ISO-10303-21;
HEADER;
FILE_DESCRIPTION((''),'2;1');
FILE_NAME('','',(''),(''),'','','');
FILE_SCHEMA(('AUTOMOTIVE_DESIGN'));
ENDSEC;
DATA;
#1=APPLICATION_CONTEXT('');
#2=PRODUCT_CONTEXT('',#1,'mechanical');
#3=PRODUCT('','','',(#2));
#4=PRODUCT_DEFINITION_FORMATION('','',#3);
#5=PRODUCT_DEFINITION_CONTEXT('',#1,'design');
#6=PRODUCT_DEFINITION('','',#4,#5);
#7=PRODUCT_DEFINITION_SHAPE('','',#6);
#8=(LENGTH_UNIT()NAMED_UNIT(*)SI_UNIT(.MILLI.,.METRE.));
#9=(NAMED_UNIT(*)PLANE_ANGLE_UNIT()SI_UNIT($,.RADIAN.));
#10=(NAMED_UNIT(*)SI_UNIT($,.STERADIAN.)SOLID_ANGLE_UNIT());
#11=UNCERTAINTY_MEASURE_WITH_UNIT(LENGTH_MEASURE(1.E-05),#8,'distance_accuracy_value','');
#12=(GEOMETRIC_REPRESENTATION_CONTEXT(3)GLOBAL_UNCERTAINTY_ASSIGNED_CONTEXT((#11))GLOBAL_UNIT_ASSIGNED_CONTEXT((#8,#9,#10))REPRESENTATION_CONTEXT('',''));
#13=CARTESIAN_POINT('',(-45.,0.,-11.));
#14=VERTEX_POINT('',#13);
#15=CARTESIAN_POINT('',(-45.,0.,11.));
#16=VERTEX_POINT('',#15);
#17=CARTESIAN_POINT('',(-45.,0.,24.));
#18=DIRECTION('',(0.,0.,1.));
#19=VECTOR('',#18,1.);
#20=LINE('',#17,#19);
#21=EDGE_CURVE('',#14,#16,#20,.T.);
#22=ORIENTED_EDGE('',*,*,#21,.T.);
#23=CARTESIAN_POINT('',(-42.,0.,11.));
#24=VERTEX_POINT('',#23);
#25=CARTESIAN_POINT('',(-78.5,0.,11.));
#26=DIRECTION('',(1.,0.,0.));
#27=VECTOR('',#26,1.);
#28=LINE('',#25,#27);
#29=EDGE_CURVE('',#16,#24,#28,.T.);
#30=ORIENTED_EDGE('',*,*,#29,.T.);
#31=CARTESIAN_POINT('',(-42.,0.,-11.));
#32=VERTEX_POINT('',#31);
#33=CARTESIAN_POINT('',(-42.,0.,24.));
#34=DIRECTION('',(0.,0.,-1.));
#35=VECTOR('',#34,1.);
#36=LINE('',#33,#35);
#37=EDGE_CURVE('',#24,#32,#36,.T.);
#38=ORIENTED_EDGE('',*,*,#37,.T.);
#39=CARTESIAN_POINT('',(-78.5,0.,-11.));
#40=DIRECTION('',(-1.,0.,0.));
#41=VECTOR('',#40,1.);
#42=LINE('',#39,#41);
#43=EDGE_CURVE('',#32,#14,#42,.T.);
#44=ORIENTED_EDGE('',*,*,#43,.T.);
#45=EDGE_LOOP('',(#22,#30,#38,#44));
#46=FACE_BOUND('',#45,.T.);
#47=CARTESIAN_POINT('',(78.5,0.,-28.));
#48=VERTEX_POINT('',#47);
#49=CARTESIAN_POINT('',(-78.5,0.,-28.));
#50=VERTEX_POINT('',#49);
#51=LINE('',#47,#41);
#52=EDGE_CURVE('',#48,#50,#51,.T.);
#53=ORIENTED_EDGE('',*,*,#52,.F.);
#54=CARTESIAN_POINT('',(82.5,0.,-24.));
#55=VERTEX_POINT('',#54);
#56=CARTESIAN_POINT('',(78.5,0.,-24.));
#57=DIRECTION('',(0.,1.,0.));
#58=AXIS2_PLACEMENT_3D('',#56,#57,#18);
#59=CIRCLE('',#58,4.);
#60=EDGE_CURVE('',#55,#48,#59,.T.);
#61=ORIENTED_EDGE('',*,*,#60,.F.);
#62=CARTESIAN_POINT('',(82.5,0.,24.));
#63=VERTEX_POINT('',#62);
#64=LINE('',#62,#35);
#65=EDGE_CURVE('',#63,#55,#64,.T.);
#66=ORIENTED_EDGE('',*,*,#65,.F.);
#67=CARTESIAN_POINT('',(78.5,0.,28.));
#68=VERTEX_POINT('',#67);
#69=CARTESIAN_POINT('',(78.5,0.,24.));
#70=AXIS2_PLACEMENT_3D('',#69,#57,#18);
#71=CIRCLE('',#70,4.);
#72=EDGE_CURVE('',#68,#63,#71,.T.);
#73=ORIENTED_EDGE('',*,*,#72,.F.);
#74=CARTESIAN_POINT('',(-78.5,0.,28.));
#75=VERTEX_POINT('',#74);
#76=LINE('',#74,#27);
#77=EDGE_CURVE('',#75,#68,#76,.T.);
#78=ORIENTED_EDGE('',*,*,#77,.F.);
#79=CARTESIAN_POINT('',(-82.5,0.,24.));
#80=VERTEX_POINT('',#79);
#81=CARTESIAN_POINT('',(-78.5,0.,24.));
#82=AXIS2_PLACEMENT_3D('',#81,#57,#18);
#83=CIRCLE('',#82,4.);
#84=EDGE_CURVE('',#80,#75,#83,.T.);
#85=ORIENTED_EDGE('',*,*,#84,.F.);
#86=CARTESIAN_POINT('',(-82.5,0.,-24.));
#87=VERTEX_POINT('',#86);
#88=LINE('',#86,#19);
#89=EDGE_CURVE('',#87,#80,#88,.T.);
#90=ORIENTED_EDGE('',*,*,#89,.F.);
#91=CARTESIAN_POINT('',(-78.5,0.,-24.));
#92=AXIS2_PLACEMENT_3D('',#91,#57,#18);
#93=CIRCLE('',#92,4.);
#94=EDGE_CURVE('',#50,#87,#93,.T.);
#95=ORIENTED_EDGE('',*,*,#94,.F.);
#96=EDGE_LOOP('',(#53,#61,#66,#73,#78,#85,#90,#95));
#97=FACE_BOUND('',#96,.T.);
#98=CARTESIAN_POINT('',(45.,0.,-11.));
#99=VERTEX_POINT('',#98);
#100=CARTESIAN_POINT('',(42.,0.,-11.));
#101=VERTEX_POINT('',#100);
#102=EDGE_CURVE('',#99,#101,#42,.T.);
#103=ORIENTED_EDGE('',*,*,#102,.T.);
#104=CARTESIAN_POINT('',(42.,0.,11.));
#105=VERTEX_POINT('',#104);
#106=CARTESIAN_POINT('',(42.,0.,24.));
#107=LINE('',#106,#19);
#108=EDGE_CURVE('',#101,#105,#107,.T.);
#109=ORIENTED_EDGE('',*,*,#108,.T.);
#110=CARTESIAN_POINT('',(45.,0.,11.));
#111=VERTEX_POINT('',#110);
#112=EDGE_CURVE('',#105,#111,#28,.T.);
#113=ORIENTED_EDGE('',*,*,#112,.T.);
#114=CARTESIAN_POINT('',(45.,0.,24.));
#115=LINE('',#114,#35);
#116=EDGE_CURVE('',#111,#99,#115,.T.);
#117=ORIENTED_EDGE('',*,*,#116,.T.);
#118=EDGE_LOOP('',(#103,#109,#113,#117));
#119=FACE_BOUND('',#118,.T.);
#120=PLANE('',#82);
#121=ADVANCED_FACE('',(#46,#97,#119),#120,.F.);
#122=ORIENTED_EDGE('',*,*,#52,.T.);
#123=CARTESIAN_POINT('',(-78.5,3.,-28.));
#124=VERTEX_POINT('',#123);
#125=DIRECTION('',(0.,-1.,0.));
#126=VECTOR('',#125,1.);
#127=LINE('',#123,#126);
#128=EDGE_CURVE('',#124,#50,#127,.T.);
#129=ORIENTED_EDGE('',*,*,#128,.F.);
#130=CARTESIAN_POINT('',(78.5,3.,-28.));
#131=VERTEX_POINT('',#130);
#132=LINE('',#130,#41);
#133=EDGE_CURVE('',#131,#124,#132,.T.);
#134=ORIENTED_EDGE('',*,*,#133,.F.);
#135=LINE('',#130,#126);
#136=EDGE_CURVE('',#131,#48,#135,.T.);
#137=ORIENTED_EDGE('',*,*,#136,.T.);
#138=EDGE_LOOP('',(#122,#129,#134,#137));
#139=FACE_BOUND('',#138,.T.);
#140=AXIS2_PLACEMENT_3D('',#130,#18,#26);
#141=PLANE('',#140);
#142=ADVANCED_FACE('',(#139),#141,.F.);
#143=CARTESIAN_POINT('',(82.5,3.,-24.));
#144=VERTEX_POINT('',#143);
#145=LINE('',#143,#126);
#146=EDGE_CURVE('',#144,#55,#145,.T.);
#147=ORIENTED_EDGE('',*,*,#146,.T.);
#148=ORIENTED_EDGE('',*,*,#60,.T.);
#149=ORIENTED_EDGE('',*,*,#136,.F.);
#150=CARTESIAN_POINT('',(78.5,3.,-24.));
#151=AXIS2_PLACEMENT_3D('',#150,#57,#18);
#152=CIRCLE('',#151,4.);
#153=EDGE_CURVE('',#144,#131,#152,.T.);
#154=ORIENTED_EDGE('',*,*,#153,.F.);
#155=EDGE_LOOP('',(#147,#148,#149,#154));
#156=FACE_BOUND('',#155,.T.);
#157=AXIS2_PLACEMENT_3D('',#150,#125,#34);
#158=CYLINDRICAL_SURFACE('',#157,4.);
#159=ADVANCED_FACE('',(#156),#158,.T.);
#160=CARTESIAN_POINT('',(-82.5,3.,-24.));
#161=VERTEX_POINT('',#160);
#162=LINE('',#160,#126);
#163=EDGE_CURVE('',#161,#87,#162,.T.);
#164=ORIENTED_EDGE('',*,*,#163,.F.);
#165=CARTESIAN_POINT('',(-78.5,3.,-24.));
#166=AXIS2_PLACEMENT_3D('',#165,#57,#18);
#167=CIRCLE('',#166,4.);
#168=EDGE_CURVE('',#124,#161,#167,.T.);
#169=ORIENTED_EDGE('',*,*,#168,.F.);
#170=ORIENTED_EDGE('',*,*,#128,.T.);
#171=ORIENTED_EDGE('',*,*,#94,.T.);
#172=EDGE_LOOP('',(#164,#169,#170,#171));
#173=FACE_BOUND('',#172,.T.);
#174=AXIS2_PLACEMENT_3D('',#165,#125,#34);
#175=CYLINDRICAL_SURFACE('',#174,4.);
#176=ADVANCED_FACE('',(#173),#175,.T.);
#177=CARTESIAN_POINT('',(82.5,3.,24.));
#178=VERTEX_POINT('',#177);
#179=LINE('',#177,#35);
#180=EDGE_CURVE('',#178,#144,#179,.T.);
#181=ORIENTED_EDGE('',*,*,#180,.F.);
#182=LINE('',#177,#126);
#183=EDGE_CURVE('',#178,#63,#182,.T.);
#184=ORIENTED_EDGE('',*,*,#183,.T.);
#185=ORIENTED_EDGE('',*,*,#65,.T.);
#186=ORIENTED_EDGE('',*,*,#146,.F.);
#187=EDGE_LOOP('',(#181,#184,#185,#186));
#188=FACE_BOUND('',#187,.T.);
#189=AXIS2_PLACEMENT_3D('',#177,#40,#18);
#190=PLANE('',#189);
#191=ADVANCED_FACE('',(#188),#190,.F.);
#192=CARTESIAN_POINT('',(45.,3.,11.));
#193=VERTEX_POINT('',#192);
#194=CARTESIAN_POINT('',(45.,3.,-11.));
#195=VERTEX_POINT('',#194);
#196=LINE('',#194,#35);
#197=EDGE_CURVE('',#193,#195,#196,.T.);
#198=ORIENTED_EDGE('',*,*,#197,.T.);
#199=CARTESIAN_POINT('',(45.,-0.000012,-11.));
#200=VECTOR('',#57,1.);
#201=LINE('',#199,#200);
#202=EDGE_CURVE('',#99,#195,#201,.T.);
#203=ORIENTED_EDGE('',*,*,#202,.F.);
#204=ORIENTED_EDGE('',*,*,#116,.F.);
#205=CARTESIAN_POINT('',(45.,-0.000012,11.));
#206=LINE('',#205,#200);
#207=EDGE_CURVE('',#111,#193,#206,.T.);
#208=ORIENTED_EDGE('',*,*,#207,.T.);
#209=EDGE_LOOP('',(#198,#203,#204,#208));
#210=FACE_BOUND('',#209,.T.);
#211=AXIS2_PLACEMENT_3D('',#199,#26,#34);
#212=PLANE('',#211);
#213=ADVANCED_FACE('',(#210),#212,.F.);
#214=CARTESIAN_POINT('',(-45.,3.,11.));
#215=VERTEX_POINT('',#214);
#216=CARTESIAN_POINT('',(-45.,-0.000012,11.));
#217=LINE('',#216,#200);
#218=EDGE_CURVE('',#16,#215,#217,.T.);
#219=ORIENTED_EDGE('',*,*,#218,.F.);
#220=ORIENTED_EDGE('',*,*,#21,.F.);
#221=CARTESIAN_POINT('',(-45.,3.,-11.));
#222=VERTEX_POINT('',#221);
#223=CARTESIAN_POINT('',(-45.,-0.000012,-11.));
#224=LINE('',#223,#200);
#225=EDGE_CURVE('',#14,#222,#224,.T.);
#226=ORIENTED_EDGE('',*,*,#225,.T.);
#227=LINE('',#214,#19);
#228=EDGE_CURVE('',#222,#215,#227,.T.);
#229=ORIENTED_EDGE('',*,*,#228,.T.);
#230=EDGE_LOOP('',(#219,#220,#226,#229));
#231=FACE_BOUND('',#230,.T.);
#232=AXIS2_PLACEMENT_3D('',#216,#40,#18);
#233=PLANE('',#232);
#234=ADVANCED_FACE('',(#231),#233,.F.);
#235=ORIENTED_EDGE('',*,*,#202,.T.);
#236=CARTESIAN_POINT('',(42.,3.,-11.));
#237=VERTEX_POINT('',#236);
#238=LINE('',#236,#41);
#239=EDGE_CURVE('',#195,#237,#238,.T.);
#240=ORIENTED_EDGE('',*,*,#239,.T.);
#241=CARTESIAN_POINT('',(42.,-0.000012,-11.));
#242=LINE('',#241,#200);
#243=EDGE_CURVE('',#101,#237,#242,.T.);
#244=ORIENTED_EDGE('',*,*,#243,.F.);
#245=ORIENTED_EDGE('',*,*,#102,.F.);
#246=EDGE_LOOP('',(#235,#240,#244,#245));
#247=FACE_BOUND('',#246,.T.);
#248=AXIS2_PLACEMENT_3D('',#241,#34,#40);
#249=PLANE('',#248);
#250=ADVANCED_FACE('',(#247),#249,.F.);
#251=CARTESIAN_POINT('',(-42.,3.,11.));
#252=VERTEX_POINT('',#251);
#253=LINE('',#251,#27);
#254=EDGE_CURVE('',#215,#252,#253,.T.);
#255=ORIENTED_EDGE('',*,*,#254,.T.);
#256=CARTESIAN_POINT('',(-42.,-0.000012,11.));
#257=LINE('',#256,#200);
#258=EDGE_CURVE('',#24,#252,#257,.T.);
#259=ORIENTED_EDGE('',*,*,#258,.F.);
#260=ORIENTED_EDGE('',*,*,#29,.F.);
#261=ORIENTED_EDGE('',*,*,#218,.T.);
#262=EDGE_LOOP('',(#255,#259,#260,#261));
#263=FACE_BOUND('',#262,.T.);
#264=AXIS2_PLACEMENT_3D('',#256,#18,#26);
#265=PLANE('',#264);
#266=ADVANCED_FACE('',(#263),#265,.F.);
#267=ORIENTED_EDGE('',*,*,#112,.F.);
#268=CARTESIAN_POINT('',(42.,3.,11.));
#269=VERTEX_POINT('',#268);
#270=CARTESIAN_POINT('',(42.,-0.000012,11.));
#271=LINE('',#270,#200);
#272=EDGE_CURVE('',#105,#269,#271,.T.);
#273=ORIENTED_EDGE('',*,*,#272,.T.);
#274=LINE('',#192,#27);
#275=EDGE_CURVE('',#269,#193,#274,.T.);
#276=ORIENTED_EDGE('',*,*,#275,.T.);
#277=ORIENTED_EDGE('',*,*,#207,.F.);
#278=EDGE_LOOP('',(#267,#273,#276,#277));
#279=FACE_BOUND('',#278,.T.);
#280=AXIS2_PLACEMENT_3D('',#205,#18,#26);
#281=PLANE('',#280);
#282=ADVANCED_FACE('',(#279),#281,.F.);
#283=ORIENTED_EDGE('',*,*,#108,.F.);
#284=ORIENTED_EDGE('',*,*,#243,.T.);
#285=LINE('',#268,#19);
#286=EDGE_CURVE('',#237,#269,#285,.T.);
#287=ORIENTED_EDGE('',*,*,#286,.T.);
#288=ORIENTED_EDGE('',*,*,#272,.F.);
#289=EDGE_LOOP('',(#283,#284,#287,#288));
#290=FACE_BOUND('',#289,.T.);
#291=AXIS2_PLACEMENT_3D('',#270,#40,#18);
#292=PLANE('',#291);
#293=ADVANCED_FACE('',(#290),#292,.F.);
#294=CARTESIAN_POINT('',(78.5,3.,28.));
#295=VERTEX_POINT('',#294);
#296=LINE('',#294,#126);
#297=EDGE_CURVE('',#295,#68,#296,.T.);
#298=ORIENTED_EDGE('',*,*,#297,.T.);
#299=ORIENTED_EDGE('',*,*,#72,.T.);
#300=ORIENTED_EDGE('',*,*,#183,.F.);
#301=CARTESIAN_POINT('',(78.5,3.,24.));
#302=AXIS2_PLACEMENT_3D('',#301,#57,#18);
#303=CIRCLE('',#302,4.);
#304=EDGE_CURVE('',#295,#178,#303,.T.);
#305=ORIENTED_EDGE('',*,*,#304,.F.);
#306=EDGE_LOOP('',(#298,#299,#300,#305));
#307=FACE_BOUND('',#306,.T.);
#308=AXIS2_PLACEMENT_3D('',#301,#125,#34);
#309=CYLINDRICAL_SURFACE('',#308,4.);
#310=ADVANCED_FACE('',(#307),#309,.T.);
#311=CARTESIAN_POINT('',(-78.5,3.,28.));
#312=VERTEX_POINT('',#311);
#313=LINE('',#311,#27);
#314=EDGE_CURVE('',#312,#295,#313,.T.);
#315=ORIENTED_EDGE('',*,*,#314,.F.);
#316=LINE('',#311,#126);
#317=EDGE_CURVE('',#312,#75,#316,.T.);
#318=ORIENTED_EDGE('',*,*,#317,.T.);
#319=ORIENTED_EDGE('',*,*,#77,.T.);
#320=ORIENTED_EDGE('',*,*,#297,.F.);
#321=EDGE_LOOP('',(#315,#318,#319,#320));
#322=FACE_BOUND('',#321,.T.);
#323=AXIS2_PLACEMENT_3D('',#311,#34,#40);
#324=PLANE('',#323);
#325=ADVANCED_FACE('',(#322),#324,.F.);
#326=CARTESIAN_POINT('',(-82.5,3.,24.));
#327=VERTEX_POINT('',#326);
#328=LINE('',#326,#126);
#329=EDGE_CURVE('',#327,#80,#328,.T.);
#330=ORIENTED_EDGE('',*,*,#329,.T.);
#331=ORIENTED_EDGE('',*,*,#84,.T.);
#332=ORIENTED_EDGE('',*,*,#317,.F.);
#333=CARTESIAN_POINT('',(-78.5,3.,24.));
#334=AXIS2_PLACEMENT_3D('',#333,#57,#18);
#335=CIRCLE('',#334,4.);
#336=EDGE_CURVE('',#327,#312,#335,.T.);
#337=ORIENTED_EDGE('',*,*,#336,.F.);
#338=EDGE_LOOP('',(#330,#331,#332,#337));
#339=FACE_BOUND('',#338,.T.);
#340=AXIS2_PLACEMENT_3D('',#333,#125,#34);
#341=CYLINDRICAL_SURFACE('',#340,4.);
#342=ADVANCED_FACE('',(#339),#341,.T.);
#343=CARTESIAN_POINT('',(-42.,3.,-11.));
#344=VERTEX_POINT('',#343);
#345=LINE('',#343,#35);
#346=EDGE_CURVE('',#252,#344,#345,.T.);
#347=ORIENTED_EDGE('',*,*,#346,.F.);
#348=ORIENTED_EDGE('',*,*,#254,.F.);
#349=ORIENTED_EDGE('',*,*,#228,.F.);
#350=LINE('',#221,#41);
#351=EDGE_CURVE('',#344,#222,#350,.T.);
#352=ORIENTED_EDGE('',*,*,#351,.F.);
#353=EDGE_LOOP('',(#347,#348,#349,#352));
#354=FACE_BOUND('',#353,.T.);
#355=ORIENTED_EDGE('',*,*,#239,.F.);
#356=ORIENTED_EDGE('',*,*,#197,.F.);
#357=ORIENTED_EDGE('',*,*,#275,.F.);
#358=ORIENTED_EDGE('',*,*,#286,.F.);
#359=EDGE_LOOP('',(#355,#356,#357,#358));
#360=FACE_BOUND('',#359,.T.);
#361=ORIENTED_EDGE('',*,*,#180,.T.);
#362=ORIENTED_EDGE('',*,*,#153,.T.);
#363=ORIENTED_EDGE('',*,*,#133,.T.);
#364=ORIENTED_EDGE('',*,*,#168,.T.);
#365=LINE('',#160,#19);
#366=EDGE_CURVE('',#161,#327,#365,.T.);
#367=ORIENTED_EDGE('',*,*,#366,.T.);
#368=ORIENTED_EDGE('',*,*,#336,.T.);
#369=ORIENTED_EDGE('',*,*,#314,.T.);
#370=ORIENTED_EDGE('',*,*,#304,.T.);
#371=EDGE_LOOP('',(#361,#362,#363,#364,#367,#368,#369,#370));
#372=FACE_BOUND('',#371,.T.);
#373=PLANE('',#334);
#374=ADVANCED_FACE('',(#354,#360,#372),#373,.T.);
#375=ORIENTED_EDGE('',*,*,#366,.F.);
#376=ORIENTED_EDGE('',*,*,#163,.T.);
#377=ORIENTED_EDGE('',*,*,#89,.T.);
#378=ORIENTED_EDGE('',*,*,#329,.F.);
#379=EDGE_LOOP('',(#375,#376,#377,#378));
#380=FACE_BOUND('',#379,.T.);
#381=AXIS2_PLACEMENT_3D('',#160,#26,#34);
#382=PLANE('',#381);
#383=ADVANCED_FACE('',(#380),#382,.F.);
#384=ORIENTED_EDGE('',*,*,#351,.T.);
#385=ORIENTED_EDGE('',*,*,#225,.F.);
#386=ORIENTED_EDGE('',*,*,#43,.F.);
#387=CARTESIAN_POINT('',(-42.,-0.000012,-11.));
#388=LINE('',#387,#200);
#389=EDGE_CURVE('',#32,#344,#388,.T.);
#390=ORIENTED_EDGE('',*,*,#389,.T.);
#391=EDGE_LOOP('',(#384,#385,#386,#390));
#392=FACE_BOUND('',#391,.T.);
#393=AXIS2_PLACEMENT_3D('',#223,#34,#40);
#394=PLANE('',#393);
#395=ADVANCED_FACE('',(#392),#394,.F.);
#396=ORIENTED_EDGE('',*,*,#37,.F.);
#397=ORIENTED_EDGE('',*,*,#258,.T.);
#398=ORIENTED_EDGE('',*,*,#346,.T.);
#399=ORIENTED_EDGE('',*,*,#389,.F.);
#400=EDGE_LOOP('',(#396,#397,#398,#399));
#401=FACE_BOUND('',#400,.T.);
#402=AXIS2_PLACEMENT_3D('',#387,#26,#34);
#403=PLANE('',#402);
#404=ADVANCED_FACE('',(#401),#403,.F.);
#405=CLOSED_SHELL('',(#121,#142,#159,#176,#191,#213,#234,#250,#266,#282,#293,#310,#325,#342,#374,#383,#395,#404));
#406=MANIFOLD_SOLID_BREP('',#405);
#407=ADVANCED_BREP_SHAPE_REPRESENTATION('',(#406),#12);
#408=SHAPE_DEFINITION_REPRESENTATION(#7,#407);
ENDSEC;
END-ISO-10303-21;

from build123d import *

# Parameters (mm, degrees)
BOSS_EXTRUDE1_DEPTH     = 3
CUT_EXTRUDE1_DEPTH      = 88.17367722
CUT_EXTRUDE1_DEPTH_BACK = 88.17367722
SKETCH2_W               = 3
SKETCH2_H               = 22


with BuildPart() as part:
    # Sketch1 → Boss-Extrude1 (new body)
    with BuildSketch(Plane(origin=(0, 0, 0), x_dir=(1, 0, 0), z_dir=(0, 1, 0))):
        with BuildLine():
            Line((-78.5, -28), (78.5, -28))
            ThreePointArc((78.5, -28), (81.328427125, -26.828427125), (82.5, -24))
            Line((82.5, -24), (82.5, 24))
            ThreePointArc((82.5, 24), (81.328427125, 26.828427125), (78.5, 28))
            Line((78.5, 28), (-78.5, 28))
            ThreePointArc((-78.5, 28), (-81.328427125, 26.828427125), (-82.5, 24))
            Line((-82.5, 24), (-82.5, -24))
            ThreePointArc((-82.5, -24), (-81.328427125, -26.828427125), (-78.5, -28))
        make_face()
    extrude(amount=BOSS_EXTRUDE1_DEPTH)

    # Sketch2 → Cut-Extrude1 (cut, two sides: drawn at the far end of the back side and taken through both)
    with BuildSketch(Plane(origin=(0, 0, 0), x_dir=(1, 0, 0), z_dir=(0, 1, 0)).offset(-CUT_EXTRUDE1_DEPTH_BACK)):
        with Locations((-43.5, 0)):
            Rectangle(SKETCH2_W, SKETCH2_H)
        with Locations((43.5, 0)):
            Rectangle(SKETCH2_W, SKETCH2_H)
    extrude(amount=CUT_EXTRUDE1_DEPTH + CUT_EXTRUDE1_DEPTH_BACK, mode=Mode.SUBTRACT)


solid = part.part
